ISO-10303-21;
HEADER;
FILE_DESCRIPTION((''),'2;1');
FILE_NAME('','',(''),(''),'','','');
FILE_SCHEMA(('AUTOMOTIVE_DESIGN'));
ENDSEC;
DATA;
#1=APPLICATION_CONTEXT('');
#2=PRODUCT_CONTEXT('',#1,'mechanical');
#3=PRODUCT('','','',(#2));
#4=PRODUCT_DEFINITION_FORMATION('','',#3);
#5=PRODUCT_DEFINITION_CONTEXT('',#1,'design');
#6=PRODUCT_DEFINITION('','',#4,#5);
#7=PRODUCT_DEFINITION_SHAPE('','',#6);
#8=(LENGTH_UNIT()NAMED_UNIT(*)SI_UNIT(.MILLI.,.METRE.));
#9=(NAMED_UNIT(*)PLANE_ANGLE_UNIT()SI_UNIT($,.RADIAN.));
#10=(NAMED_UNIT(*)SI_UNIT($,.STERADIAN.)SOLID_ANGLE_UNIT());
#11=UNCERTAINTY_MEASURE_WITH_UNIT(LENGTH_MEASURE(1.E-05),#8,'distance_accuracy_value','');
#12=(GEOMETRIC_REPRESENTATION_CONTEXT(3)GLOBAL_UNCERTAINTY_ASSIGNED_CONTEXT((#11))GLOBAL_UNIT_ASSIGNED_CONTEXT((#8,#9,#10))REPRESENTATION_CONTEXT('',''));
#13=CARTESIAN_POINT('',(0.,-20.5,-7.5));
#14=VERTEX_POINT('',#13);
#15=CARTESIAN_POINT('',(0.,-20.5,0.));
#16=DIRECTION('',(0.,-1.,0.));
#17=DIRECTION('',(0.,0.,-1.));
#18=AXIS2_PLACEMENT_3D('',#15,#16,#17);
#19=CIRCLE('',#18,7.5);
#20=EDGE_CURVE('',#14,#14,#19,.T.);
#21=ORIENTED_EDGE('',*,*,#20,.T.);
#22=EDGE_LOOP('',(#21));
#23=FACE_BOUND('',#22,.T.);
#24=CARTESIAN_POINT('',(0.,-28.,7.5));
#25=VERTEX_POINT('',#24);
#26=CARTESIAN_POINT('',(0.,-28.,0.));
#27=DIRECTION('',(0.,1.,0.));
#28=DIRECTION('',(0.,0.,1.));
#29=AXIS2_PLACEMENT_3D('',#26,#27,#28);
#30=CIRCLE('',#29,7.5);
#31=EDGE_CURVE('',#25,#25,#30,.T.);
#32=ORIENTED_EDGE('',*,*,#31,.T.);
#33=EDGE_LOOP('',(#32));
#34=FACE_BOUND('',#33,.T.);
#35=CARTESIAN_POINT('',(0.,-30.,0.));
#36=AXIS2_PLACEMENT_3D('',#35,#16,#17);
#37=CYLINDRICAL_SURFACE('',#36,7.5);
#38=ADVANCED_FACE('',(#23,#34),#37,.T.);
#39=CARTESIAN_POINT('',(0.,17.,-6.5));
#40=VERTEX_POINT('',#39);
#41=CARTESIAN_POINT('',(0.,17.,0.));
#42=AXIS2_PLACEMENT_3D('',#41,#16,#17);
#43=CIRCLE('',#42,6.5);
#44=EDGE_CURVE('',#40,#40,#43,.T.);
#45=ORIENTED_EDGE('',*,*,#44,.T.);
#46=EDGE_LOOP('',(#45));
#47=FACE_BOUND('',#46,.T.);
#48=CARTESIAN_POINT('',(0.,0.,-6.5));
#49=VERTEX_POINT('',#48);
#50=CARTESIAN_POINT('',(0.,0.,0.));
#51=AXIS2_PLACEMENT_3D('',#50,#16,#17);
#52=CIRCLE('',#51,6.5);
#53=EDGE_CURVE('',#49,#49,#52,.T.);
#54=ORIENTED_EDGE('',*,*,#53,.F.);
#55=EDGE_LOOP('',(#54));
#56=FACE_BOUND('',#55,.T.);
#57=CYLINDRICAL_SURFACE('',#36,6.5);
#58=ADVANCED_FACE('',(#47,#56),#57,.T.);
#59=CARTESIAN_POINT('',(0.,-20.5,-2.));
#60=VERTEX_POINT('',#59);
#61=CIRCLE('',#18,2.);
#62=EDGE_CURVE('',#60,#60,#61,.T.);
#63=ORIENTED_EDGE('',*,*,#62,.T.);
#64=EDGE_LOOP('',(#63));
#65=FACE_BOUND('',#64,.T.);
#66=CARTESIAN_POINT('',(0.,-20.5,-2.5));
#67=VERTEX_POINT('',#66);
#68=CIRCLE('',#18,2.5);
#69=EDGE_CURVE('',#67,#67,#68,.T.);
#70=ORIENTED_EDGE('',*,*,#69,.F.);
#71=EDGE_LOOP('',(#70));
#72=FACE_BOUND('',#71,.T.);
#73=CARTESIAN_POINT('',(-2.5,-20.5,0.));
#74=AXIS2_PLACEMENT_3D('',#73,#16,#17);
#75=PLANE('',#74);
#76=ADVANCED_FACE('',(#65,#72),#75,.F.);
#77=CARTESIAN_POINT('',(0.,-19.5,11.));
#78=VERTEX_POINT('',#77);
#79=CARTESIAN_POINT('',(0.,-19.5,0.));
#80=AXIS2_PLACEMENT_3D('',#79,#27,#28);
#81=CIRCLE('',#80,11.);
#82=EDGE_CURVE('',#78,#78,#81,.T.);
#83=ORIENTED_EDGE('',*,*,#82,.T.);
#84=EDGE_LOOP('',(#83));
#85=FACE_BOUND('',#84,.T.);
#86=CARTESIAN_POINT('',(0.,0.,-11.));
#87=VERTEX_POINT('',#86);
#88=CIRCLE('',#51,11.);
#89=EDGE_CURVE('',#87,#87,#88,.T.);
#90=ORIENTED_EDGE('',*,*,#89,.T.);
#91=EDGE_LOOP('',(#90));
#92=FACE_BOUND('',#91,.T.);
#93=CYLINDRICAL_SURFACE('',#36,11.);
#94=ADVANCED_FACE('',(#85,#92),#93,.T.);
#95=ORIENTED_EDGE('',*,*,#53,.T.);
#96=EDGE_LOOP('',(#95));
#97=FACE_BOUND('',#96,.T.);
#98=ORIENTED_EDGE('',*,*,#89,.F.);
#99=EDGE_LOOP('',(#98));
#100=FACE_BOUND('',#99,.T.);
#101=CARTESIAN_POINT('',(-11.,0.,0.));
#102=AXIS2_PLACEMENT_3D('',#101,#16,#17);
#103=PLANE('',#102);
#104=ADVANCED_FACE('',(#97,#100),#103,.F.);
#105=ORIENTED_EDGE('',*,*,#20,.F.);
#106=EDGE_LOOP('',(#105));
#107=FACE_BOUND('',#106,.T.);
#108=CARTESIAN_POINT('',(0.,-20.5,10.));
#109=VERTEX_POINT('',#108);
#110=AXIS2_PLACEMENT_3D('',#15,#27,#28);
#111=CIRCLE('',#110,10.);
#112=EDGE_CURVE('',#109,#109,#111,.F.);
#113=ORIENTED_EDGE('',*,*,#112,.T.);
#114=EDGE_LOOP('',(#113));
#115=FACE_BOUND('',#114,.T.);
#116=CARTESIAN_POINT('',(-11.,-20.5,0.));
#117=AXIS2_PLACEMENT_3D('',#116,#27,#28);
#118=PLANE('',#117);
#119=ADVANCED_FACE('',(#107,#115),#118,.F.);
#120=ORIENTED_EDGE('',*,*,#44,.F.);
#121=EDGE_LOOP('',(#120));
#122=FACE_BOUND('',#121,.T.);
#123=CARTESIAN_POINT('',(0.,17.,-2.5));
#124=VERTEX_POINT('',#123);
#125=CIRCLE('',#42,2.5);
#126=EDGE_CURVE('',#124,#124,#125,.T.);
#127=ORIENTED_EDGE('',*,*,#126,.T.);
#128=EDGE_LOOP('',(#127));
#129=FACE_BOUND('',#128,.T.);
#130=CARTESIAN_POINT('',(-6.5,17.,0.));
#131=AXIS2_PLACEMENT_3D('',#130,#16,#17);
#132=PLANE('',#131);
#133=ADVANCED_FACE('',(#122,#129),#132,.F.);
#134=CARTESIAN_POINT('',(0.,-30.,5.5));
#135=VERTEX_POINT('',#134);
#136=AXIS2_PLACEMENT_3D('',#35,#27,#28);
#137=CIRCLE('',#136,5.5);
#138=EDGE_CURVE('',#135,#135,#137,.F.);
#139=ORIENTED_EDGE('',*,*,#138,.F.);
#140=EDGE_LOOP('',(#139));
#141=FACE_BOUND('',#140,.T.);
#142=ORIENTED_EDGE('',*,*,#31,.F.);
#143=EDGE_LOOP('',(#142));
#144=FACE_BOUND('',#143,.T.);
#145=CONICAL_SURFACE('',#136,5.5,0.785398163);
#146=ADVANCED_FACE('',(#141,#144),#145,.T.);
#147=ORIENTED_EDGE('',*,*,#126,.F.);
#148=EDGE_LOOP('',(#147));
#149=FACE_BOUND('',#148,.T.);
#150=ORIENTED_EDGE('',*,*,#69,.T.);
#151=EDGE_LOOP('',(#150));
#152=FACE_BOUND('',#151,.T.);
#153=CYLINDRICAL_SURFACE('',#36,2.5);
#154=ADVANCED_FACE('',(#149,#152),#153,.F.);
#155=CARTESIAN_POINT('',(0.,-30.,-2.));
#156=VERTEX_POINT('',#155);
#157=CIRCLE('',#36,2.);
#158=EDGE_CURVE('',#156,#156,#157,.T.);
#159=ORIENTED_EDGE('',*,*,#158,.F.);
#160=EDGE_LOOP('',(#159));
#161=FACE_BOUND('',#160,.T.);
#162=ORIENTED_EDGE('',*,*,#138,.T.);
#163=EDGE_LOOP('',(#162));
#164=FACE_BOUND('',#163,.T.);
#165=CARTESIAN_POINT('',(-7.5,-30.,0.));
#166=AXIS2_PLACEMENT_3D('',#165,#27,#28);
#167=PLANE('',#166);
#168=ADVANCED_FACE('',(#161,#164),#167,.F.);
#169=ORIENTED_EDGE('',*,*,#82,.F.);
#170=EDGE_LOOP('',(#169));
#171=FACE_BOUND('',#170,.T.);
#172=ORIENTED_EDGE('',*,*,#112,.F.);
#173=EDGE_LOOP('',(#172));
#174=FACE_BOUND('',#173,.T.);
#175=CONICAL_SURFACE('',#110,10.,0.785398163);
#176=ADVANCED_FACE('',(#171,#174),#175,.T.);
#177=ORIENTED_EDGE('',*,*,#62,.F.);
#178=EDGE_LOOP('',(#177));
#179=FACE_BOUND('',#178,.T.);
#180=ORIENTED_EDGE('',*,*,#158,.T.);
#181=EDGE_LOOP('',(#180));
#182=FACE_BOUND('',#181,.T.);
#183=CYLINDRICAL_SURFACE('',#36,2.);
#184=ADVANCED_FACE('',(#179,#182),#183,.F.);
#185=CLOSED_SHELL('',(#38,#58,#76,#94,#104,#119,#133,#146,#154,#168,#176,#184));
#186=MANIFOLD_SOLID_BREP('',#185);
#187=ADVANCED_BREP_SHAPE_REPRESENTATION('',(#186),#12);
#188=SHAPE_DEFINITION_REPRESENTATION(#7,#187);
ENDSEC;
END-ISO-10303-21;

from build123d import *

# Parameters (mm, degrees)
CHAMFER1_SIZE = 2
CHAMFER2_SIZE = 1


with BuildPart() as part:
    # Sketch1 → Revolve1 (revolve)
    with BuildSketch(Plane.XY):
        Polygon((-7.5, -20.5), (-7.5, -30), (-2, -30), (-2, -20.5), (-2.5, -20.5), (-2.5, 17), (-6.5, 17), (-6.5, 0), (-11, 0), (-11, -20.5), align=None)
    revolve(axis=Axis((0, -30, 0), (0, 1, 0)))

    # Chamfer1
    chamfer1_edges = [part.edges().sort_by_distance(p)[0] for p in [
        (7.5, -30, 0),
    ]]
    chamfer(chamfer1_edges, length=CHAMFER1_SIZE)

    # Chamfer2
    chamfer2_edges = [part.edges().sort_by_distance(p)[0] for p in [
        (11, -20.5, 0),
    ]]
    chamfer(chamfer2_edges, length=CHAMFER2_SIZE)


solid = part.part
